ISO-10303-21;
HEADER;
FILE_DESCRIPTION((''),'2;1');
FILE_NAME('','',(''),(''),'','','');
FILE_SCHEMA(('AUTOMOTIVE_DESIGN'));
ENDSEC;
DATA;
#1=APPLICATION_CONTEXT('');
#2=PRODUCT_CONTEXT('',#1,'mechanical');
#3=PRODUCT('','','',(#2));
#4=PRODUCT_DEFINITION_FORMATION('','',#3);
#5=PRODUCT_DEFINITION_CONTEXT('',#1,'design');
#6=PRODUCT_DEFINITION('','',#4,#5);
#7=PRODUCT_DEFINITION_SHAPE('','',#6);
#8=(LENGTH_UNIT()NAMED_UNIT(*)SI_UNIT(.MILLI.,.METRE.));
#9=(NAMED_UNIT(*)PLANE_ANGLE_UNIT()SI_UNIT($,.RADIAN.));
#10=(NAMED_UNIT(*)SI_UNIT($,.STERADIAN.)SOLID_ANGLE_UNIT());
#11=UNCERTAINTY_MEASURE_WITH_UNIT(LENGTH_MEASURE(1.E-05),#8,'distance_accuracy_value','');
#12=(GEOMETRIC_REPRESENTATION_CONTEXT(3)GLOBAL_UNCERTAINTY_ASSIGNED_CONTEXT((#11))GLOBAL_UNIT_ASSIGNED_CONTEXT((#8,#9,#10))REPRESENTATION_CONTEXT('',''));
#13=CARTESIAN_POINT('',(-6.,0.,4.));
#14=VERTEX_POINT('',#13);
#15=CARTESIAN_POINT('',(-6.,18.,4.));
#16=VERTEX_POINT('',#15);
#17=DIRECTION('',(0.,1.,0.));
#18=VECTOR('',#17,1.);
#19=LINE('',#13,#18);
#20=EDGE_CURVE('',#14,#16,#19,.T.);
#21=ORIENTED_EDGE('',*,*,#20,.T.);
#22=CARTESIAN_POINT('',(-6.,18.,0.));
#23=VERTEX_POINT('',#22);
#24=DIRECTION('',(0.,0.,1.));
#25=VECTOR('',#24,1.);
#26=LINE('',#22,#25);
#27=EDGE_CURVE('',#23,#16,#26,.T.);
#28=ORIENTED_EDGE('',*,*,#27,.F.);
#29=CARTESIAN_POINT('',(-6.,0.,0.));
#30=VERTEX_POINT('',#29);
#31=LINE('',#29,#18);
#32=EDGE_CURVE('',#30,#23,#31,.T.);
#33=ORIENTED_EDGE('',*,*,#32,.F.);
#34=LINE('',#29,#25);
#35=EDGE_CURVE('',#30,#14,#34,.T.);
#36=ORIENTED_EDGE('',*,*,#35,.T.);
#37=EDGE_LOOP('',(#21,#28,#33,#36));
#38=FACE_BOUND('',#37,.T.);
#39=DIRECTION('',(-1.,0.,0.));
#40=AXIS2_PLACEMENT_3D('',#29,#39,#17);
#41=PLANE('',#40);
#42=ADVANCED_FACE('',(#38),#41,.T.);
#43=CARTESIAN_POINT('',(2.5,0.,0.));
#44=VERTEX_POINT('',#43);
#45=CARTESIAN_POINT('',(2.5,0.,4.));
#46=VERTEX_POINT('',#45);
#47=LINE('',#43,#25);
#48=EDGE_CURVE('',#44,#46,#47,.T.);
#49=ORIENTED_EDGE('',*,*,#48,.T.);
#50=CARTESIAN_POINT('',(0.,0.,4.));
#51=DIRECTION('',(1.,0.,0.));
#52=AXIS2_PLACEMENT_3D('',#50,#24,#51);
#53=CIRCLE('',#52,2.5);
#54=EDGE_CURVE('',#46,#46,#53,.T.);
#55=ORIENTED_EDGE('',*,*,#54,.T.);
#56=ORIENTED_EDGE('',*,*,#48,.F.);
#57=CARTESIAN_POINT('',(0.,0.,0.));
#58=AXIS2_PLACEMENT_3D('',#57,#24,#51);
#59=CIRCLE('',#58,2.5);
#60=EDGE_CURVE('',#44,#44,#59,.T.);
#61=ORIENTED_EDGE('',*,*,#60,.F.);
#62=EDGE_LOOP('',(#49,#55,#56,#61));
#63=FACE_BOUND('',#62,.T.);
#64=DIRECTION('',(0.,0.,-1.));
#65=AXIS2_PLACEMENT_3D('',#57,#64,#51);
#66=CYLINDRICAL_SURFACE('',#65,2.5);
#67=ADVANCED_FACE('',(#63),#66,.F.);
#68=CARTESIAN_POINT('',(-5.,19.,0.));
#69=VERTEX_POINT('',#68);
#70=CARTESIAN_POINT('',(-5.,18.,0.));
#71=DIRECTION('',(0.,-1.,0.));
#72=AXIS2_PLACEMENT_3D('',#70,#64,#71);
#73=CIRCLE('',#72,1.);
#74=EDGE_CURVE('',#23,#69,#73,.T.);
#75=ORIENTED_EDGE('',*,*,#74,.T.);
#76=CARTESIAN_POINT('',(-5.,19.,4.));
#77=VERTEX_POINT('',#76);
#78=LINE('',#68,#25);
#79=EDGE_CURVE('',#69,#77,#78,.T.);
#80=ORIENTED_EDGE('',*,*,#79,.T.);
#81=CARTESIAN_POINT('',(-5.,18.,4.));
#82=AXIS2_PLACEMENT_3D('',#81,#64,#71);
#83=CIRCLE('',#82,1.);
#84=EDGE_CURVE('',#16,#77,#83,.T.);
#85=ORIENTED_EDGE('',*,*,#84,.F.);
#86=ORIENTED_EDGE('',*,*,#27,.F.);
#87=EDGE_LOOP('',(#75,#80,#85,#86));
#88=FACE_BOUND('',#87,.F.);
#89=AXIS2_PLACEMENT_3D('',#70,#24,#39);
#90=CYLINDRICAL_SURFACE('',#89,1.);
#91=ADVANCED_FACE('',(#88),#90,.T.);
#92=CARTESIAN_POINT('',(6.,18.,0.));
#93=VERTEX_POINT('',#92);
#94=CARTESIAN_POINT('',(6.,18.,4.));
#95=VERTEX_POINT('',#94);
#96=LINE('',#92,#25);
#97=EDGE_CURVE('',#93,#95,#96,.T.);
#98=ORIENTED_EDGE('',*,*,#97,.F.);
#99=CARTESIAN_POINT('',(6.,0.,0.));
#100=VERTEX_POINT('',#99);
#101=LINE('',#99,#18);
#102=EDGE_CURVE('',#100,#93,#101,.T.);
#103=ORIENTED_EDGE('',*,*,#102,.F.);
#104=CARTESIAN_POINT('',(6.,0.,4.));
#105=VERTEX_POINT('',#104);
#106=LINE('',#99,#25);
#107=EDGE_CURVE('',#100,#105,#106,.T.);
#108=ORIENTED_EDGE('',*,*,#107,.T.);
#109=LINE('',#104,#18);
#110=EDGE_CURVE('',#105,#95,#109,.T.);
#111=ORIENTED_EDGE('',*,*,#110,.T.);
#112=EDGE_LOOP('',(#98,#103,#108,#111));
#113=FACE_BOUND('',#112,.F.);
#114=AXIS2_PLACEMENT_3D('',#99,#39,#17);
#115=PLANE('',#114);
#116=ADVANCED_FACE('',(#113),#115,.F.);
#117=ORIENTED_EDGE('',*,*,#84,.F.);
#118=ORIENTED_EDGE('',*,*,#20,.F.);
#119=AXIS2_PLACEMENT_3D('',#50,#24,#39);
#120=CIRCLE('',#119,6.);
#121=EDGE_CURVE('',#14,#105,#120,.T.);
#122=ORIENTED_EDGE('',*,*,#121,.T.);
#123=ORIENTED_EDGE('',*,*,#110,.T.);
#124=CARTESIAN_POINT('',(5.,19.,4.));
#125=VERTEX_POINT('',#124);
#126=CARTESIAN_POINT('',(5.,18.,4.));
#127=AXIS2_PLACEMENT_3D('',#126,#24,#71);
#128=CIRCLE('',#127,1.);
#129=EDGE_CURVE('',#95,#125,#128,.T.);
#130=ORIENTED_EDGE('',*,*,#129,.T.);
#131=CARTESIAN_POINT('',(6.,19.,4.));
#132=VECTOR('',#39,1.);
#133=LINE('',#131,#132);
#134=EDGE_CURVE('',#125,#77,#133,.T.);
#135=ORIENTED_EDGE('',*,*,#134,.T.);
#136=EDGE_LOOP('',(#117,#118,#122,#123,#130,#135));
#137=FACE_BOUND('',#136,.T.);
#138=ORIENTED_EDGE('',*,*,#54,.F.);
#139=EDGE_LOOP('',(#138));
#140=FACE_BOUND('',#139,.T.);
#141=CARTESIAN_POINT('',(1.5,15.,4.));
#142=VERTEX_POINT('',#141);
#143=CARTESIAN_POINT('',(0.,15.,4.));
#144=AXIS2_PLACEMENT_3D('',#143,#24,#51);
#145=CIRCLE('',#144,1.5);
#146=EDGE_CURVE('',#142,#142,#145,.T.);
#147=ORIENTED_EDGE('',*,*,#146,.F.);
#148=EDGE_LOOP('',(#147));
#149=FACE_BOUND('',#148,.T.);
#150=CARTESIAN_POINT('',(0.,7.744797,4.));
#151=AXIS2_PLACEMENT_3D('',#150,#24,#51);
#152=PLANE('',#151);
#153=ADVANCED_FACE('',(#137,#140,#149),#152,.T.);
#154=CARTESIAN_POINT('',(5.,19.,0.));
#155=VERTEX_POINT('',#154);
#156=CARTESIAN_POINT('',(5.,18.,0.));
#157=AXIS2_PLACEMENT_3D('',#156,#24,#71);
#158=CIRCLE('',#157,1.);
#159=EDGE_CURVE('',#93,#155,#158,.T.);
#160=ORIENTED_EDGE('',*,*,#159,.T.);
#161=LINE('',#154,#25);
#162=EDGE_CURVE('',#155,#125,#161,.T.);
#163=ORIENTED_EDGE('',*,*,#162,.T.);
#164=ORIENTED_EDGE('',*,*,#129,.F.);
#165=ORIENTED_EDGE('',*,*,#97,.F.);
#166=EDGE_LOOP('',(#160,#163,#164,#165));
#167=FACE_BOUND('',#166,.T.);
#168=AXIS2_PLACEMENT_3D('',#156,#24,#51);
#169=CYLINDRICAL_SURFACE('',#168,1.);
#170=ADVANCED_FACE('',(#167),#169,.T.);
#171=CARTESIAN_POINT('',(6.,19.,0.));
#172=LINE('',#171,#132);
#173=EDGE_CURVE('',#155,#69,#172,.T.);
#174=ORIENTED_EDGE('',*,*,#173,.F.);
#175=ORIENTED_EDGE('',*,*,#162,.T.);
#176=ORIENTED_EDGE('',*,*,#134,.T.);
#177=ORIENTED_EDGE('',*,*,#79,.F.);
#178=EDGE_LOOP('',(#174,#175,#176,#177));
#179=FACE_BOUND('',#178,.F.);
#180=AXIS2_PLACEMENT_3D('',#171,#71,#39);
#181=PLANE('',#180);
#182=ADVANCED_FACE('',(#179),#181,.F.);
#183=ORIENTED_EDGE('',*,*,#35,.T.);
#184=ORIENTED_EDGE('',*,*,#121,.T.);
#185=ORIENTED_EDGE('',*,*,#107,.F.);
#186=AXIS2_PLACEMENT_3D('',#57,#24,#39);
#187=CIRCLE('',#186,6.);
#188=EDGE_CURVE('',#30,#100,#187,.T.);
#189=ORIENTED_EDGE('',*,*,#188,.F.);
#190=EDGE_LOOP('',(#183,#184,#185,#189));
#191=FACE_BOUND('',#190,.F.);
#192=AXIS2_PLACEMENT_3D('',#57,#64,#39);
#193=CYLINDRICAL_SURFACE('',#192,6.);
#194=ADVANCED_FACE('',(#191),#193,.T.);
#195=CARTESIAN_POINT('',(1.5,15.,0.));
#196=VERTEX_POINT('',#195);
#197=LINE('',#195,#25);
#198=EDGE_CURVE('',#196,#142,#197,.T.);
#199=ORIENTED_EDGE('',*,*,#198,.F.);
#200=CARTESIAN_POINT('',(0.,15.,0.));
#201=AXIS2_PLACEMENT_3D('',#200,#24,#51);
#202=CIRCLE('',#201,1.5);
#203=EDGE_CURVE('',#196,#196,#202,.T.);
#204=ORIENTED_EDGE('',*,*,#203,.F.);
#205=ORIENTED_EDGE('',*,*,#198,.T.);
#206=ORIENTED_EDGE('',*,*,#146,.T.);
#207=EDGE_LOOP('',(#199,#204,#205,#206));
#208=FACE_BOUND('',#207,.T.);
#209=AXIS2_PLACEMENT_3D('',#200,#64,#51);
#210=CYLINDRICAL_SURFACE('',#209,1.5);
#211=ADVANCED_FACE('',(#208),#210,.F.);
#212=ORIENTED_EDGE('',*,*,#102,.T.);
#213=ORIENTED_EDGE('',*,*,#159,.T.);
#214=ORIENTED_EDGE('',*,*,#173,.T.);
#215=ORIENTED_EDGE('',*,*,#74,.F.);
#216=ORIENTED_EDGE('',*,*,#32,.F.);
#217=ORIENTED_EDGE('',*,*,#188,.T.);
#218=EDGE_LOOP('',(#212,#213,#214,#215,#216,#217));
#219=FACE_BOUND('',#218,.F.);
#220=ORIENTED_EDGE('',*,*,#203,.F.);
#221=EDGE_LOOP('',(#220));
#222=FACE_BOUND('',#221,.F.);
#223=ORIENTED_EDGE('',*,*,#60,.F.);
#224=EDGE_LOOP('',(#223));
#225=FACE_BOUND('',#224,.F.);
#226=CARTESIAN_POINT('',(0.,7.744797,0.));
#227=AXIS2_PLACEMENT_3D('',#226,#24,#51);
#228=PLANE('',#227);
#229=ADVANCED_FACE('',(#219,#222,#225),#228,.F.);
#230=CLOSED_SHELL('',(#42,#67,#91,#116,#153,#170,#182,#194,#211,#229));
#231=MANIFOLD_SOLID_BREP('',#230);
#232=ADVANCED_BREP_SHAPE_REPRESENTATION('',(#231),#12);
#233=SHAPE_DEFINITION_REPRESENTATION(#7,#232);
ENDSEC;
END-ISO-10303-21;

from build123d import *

# Parameters (mm, degrees)
SKETCH_R   = 2.5
SKETCH_R_2 = 1.5
PAD_DEPTH  = 4
FILLET_R   = 1


with BuildPart() as part:
    # Sketch → Pad (new body)
    with BuildSketch(Plane.XY):
        with BuildLine():
            ThreePointArc((-6, 0), (0, -6), (6, 0))
            Line((6, 0), (6, 19))
            Line((6, 19), (-6, 19))
            Line((-6, 0), (-6, 19))
        make_face()
        Circle(SKETCH_R, mode=Mode.SUBTRACT)
        with Locations((0, 15)):
            Circle(SKETCH_R_2, mode=Mode.SUBTRACT)
    extrude(amount=PAD_DEPTH)

    # Fillet
    fillet_edges = [part.edges().sort_by_distance(p)[0] for p in [
        (-6, 19, 2),
        (6, 19, 2),
    ]]
    fillet(fillet_edges, radius=FILLET_R)


solid = part.part
